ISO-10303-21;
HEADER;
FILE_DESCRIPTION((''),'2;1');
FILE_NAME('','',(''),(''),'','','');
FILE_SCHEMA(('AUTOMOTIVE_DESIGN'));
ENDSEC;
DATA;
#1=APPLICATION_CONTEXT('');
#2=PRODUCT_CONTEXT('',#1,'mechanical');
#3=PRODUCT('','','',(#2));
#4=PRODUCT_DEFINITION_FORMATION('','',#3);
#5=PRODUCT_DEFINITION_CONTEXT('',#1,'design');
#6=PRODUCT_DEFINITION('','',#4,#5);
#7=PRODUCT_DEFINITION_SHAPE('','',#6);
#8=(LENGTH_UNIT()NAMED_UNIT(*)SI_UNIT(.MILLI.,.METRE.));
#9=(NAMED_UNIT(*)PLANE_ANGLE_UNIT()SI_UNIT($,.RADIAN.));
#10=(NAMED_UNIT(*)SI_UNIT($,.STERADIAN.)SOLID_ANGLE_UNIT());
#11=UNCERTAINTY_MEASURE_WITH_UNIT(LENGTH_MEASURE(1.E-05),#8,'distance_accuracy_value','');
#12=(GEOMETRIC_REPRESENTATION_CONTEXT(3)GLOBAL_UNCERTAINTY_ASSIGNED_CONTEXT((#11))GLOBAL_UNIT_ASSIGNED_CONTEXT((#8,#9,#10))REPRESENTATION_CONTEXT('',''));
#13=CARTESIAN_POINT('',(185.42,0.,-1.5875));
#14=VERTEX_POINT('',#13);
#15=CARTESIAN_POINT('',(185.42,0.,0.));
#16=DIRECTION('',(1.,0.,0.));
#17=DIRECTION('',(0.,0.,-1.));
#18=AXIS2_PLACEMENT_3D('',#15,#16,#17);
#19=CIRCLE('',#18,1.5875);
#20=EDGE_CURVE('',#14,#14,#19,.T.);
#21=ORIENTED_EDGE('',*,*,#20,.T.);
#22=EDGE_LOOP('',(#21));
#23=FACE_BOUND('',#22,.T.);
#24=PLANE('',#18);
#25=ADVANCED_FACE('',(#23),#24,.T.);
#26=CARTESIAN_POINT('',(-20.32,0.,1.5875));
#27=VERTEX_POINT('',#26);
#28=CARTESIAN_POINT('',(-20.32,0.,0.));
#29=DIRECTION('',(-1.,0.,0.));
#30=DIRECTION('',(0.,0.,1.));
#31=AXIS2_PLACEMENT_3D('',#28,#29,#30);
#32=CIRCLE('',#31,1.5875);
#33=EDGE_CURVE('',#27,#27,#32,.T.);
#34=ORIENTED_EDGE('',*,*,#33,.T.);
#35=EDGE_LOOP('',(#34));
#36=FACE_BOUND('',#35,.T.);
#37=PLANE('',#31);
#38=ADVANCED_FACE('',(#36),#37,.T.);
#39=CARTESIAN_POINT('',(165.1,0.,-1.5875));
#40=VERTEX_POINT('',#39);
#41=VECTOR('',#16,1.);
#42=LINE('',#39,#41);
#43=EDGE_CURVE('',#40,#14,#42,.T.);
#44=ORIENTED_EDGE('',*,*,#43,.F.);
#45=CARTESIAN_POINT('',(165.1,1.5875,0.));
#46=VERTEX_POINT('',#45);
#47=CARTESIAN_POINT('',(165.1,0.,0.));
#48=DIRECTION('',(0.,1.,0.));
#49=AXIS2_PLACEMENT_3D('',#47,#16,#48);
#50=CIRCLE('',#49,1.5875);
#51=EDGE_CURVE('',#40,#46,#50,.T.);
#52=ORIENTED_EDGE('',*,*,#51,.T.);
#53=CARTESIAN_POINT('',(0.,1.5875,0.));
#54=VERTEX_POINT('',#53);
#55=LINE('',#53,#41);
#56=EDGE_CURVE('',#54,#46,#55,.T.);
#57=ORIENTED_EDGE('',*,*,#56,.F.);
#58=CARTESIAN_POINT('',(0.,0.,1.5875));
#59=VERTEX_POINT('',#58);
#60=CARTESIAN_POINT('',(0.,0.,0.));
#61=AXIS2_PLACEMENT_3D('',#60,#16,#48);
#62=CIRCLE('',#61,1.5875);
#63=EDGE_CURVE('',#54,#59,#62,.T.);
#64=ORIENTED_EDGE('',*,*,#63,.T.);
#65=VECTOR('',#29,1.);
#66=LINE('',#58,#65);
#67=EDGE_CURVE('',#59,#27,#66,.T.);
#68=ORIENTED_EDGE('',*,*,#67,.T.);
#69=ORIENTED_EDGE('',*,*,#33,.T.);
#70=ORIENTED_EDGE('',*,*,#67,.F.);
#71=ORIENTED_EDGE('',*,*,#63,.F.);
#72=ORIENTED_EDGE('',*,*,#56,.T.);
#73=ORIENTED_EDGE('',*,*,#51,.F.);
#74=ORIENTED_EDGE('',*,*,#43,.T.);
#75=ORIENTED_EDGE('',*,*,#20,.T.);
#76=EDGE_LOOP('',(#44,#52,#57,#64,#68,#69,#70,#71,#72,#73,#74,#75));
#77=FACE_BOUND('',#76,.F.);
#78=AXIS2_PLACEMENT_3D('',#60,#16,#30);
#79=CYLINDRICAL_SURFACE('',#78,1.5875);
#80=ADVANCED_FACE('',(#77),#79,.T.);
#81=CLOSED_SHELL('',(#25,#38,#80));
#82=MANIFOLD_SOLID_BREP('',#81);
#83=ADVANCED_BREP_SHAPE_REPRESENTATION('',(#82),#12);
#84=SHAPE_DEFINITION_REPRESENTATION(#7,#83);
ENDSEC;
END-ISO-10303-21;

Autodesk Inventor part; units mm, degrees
ref_plane "YZ Plane" through (0, 0, 0) normal (1, 0, 0) x (0, 1, 0)
ref_plane "XZ Plane" through (0, 0, 0) normal (0, 1, 0) x (-1, 0, 0)
ref_plane "XY Plane" through (0, 0, 0) normal (0, 0, 1) x (1, 0, 0)
sketch "Sketch1" plane through (0, 0, 0) normal (1, 0, 0) x (0, 1, 0)
  circle A0 centre (0, 0) radius 1.5875
  dimension "d0" = 3.175
extrude "Extrusion1" add sketch "Sketch1" along normal blind 165.1
sketch "Sketch2" plane through (165.1, 0, 0) normal (1, 0, 0) x (0, 0, -1)
  circle A0 centre (0, 0) radius 1.5875
extrude "Extrusion2" add sketch "Sketch2" along normal blind 20.32
sketch "Sketch3" plane through (0, 0, 0) normal (-1, 0, 0) x (0, 0, 1)
  circle A0 centre (0, 0) radius 1.5875
extrude "Extrusion3" add sketch "Sketch3" along normal blind 20.32
properties part number "axel"
